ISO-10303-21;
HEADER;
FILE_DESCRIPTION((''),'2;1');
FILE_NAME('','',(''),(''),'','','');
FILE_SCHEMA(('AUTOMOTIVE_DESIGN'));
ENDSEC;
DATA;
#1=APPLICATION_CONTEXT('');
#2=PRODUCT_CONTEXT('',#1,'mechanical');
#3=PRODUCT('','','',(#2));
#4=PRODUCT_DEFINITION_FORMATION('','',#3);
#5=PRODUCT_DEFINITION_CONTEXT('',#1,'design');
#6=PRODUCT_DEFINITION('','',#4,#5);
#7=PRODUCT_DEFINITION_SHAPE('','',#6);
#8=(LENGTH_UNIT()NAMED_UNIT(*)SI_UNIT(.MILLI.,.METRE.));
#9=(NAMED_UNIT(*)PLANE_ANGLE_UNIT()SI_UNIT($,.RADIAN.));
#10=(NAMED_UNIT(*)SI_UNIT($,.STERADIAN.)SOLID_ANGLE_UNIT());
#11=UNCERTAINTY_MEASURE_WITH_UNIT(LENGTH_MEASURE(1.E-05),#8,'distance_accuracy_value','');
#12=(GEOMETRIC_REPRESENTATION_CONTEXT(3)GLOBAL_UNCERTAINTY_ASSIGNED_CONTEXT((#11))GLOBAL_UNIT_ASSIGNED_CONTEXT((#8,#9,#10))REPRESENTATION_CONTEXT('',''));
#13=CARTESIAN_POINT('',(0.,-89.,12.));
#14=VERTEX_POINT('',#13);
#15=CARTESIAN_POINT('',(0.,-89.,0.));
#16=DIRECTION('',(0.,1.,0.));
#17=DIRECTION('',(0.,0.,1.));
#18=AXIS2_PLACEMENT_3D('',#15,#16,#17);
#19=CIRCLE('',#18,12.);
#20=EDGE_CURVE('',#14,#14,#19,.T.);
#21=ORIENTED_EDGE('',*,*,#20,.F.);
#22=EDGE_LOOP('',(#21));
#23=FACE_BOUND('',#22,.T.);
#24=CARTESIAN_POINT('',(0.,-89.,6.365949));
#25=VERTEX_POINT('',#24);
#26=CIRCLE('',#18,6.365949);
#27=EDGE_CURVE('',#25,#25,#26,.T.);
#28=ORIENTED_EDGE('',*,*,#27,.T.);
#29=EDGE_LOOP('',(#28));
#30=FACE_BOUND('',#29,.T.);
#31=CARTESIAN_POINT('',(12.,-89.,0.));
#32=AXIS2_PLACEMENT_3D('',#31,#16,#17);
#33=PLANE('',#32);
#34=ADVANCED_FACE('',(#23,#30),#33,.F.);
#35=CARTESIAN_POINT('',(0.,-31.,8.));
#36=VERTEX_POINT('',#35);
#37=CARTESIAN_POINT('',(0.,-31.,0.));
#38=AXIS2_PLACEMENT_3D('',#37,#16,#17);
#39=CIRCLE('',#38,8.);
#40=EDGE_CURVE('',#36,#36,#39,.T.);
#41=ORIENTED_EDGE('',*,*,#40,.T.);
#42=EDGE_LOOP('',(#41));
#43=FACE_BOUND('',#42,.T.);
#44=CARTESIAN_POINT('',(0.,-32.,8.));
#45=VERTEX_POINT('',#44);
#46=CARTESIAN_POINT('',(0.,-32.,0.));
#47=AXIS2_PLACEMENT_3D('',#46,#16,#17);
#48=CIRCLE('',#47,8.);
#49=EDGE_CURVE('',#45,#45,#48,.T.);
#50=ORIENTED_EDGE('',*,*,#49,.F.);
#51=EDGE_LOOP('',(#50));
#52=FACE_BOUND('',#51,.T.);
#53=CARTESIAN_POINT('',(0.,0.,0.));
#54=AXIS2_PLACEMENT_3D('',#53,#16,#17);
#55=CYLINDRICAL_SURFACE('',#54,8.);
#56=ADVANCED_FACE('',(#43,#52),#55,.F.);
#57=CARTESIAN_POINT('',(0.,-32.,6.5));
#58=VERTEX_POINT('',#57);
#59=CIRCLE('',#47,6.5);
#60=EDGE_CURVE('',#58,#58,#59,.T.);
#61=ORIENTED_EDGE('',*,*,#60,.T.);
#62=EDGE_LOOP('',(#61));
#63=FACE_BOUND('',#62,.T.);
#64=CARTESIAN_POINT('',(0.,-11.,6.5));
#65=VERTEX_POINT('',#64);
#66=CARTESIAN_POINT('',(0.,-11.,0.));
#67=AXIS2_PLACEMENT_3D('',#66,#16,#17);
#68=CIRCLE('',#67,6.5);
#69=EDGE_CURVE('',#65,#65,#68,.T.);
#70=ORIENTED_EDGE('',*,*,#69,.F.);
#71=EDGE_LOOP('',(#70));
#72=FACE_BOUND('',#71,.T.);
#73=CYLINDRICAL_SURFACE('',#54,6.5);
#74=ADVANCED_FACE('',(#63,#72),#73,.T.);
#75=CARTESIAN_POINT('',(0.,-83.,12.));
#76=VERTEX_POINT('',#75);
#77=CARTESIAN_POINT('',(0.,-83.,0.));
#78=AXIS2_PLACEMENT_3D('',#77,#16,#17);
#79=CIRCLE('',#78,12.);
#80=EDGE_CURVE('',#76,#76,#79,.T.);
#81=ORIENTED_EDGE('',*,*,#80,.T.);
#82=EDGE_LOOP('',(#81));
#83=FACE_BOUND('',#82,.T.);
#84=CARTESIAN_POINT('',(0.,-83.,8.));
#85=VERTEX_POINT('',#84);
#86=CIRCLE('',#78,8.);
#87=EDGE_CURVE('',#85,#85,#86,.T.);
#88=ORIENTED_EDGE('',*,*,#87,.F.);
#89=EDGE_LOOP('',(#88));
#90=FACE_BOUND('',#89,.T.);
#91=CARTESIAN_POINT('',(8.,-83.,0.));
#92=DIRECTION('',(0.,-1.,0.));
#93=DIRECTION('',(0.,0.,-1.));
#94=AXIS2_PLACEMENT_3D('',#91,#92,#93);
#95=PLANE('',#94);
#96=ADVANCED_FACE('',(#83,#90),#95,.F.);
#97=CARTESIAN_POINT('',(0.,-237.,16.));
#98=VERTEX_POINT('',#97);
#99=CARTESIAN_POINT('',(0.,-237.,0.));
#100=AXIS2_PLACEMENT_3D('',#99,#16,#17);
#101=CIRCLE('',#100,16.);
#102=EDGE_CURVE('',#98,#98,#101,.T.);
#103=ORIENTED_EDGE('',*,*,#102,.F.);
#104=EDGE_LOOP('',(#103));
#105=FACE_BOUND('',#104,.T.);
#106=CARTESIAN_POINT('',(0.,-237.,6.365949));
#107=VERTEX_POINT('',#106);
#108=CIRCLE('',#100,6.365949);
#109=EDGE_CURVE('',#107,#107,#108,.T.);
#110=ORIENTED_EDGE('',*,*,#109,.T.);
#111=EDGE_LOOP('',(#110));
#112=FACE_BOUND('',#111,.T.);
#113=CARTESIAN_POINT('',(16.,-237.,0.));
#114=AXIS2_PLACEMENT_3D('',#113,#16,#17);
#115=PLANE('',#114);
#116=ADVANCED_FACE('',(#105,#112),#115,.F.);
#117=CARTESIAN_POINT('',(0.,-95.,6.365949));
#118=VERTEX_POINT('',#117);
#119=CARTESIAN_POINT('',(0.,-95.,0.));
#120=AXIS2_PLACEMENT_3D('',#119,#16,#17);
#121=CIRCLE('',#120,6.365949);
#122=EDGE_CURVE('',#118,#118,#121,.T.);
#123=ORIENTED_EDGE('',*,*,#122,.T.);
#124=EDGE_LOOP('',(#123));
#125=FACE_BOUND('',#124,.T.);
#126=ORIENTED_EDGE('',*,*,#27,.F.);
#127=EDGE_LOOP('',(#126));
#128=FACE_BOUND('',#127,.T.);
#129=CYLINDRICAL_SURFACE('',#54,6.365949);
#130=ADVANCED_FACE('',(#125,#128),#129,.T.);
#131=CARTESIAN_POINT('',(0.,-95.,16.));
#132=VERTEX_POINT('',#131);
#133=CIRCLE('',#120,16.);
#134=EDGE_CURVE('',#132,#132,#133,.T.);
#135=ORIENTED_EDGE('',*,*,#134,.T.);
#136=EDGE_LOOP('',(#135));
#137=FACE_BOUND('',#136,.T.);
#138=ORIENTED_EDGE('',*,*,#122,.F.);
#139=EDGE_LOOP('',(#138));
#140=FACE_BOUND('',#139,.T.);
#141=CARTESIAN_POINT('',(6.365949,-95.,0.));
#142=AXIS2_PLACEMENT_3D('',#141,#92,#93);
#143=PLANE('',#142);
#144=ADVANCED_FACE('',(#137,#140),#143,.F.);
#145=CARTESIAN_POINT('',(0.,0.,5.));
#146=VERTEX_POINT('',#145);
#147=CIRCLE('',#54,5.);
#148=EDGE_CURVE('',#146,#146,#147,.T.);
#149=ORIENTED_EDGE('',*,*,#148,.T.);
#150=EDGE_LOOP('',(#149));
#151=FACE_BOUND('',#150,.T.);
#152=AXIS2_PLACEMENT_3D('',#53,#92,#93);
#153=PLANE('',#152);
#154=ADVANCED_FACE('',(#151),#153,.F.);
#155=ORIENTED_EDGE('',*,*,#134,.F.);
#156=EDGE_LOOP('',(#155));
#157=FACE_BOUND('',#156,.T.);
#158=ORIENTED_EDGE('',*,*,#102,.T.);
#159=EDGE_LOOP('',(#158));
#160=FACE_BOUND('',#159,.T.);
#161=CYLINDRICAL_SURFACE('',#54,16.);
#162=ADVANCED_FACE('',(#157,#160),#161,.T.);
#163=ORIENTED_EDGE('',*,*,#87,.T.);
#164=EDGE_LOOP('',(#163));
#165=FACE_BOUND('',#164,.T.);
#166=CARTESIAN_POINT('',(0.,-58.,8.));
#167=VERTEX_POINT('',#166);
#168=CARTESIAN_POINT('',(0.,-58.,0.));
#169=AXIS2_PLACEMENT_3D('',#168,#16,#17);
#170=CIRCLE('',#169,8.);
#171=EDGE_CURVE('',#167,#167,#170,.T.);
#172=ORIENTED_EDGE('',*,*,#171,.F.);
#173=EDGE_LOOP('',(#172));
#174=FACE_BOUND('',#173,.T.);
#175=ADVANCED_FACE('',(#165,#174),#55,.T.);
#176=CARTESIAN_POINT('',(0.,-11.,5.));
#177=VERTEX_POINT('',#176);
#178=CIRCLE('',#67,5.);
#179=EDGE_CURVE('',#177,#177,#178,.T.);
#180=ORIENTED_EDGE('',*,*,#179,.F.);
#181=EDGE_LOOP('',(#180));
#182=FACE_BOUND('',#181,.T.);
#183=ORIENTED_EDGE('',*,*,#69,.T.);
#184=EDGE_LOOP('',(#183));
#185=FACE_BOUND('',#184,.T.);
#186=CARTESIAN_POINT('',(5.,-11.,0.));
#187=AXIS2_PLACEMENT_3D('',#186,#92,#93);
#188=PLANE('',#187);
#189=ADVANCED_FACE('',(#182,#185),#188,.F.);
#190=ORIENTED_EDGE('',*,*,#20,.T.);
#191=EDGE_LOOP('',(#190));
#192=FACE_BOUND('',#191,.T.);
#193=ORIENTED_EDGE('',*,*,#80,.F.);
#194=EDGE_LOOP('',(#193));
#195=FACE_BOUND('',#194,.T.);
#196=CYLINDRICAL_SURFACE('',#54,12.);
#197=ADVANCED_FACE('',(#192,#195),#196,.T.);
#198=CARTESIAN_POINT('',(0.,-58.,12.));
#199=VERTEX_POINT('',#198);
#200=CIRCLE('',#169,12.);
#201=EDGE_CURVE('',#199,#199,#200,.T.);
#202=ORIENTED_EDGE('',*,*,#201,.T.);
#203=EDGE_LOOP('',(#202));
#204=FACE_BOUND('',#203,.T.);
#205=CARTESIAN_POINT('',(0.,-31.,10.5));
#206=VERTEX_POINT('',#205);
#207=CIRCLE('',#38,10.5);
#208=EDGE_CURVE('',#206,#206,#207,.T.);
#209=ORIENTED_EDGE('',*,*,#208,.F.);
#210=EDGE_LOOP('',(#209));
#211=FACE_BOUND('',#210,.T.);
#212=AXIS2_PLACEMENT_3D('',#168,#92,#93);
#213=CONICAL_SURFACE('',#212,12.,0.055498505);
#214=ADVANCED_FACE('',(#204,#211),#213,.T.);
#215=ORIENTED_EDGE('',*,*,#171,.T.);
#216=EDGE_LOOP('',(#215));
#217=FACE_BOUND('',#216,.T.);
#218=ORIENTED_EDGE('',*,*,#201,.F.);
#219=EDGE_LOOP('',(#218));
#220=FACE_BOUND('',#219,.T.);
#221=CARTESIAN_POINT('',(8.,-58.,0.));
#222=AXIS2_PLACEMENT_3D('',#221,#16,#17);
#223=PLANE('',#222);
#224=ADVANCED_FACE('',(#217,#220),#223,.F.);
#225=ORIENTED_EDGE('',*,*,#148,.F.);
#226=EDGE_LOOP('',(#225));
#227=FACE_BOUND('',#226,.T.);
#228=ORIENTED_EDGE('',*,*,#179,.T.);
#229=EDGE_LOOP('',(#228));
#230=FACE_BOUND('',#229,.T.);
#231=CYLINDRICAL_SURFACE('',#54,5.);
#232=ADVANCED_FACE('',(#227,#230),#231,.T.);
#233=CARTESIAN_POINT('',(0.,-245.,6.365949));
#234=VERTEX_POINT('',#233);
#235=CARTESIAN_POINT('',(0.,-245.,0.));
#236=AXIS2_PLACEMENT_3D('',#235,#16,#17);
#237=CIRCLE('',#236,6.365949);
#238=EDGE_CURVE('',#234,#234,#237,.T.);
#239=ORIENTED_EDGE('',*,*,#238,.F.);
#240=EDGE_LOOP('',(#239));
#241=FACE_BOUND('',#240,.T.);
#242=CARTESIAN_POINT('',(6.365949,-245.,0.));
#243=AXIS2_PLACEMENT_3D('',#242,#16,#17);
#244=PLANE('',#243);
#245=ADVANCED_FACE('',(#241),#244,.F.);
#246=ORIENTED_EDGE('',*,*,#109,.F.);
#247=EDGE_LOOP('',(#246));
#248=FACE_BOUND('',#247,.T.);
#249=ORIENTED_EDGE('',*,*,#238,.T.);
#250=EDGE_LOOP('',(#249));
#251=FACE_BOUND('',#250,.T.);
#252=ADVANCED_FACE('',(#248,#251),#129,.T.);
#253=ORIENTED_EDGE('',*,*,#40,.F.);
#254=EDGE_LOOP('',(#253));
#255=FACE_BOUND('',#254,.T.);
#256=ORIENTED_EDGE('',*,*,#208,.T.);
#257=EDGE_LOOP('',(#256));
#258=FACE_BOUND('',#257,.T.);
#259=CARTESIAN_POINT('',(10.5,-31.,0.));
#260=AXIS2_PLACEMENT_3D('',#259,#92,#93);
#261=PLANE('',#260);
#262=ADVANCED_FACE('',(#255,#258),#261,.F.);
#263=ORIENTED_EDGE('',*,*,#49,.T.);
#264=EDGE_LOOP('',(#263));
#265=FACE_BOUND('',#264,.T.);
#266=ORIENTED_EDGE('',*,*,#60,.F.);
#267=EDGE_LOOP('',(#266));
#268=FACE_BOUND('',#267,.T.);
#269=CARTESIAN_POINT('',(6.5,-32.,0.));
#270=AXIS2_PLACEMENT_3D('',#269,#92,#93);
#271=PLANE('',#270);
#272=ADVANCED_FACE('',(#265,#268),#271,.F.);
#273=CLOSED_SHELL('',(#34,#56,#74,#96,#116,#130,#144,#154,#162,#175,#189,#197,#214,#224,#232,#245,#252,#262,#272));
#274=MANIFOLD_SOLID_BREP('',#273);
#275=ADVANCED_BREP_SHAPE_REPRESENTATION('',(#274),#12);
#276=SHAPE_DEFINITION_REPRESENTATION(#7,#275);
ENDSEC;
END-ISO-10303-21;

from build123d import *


with BuildPart() as part:
    # Çizim1 → Döndür1 (revolve)
    with BuildSketch(Plane.XY, mode=Mode.PRIVATE) as d_nd_r1_sk:
        Polygon((0, 0), (5, 0), (5, -11), (6.5, -11), (6.5, -32), (8, -32), (8, -31), (10.5, -31), (12, -58), (8, -58), (8, -83), (12, -83), (12, -89), (6.365949077, -89), (6.365949077, -95), (16, -95), (16, -237), (6.365949077, -237), (6.365949077, -245), (0, -245), align=None)
    revolve(d_nd_r1_sk.sketch.rotate(Axis((0, 0, 0), (0, -1, 0)), 90), axis=Axis((0, 0, 0), (0, -1, 0)))


solid = part.part
